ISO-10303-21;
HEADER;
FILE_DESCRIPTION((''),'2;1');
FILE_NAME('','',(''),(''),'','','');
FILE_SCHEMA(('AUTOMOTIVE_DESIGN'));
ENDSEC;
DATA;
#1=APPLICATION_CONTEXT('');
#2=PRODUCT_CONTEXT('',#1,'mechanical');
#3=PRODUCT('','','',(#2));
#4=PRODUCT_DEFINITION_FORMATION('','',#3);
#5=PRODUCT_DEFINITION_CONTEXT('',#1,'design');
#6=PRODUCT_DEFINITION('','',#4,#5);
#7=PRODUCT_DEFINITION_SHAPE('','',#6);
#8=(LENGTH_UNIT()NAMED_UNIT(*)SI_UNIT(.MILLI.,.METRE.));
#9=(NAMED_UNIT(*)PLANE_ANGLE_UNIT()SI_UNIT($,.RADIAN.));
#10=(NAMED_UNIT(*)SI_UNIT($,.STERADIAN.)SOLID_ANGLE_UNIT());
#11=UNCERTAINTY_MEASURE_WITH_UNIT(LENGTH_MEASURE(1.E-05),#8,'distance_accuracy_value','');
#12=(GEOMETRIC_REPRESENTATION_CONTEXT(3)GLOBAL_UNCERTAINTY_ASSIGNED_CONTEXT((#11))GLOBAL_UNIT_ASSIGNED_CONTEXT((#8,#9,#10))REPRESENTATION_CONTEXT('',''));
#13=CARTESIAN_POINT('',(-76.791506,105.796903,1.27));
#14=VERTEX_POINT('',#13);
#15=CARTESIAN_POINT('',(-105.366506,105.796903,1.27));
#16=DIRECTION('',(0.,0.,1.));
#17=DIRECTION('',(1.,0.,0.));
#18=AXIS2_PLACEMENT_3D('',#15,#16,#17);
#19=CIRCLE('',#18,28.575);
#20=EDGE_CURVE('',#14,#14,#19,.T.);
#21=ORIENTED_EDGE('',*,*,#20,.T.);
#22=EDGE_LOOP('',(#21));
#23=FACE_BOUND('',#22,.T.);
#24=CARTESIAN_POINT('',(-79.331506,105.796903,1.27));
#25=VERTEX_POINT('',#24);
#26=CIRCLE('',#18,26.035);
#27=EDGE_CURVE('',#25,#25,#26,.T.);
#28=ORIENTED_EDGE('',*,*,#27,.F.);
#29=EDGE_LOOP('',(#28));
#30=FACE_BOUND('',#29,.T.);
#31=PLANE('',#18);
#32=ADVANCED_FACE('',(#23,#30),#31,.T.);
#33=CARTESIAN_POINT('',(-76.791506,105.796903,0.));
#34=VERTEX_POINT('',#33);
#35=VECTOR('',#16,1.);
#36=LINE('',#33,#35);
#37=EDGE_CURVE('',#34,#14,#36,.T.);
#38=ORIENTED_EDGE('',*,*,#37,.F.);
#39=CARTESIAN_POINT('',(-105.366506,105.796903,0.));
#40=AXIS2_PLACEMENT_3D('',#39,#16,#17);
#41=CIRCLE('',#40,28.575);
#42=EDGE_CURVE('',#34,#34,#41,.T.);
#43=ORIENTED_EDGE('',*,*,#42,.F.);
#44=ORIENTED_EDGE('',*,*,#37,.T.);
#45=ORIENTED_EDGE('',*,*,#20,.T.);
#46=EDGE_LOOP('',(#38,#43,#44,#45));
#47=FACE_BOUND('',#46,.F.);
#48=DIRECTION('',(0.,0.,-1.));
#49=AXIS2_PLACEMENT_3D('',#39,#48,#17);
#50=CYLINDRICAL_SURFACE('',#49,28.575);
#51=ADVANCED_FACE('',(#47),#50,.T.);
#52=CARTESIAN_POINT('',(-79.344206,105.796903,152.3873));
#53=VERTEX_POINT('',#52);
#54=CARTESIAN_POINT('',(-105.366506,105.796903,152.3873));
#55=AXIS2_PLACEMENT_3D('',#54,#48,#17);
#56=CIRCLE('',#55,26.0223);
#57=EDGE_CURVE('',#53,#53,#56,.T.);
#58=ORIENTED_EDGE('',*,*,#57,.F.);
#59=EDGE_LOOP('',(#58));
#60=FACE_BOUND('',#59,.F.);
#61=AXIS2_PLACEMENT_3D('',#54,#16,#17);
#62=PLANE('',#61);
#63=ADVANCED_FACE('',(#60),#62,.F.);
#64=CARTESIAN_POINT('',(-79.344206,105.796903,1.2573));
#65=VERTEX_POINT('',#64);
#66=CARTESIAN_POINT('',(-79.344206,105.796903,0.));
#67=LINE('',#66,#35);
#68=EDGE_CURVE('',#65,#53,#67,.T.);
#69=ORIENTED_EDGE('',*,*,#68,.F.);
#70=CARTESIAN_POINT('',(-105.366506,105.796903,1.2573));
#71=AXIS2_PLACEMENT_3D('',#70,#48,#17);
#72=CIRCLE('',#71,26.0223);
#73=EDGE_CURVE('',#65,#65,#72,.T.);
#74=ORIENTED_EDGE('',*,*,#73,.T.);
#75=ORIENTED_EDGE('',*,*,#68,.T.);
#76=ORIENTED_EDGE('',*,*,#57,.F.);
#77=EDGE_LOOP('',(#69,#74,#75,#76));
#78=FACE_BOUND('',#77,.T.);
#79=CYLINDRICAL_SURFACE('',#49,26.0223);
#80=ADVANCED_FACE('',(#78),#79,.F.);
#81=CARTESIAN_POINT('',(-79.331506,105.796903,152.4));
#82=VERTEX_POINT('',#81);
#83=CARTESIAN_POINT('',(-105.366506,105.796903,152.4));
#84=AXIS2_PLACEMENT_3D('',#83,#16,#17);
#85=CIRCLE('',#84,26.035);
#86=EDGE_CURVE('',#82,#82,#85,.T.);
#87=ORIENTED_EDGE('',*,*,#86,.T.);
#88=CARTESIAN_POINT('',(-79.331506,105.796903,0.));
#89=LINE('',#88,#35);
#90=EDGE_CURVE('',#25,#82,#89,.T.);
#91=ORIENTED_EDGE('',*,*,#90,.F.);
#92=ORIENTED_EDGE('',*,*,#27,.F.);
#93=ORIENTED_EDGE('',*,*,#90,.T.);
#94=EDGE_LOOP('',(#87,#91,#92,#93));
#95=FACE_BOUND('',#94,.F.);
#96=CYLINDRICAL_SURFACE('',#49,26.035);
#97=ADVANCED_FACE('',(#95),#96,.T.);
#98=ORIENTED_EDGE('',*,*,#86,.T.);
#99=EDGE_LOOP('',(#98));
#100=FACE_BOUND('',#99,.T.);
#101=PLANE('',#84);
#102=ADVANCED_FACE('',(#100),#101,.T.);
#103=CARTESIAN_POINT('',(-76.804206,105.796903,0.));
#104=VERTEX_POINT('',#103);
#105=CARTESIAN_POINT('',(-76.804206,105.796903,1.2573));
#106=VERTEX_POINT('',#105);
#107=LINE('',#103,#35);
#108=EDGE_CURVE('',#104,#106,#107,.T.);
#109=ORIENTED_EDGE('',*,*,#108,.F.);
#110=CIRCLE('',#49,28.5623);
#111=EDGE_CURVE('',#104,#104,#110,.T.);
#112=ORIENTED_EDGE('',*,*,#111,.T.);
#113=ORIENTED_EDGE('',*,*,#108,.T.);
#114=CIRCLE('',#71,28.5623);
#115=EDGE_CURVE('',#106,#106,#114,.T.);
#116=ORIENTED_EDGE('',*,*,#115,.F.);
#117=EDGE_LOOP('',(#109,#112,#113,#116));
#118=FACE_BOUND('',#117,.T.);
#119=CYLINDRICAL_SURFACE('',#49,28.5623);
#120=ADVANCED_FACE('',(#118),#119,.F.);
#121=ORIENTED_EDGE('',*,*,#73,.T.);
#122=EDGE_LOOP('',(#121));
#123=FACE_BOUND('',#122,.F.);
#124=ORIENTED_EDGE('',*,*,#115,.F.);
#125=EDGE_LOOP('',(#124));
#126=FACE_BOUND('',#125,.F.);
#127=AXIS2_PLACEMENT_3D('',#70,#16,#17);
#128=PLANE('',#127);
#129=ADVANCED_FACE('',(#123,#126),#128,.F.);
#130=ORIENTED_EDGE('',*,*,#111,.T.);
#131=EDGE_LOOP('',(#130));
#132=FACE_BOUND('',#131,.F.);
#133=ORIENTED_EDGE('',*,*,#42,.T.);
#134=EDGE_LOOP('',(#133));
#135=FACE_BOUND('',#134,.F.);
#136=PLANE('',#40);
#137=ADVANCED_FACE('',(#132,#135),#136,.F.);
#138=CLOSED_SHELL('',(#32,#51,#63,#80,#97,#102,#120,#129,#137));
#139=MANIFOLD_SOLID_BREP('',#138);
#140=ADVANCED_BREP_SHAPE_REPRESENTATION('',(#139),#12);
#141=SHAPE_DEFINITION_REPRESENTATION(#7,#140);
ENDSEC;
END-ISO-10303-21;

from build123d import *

# Parameters (mm, degrees)
F0_R     = 26.035
F1_DEPTH = 152.4
F0_R_2   = 28.575
F2_DEPTH = 1.27
F3_T     = -0.0127


with BuildPart() as f1:
    # F0 (on Top) → F1 (new body)
    with BuildSketch(Plane.XY):
        with Locations((-105.3665056825, 105.7969033718)):
            Circle(F0_R)
    extrude(amount=F1_DEPTH)

    # F0 (on Top) → F2 (join)
    with BuildSketch(Plane.XY):
        with Locations((-105.3665056825, 105.7969033718)):
            Circle(F0_R_2)
        with Locations((-105.3665056825, 105.7969033718)):
            Circle(F0_R, mode=Mode.SUBTRACT)
    extrude(amount=F2_DEPTH)

    # F3
    f3_openings = [f1.faces().sort_by_distance(p)[0] for p in [
        (-105.366506, 105.796903, 0),
    ]]
    offset(amount=F3_T, openings=f3_openings, kind=Kind.INTERSECTION)


solid = f1.part
